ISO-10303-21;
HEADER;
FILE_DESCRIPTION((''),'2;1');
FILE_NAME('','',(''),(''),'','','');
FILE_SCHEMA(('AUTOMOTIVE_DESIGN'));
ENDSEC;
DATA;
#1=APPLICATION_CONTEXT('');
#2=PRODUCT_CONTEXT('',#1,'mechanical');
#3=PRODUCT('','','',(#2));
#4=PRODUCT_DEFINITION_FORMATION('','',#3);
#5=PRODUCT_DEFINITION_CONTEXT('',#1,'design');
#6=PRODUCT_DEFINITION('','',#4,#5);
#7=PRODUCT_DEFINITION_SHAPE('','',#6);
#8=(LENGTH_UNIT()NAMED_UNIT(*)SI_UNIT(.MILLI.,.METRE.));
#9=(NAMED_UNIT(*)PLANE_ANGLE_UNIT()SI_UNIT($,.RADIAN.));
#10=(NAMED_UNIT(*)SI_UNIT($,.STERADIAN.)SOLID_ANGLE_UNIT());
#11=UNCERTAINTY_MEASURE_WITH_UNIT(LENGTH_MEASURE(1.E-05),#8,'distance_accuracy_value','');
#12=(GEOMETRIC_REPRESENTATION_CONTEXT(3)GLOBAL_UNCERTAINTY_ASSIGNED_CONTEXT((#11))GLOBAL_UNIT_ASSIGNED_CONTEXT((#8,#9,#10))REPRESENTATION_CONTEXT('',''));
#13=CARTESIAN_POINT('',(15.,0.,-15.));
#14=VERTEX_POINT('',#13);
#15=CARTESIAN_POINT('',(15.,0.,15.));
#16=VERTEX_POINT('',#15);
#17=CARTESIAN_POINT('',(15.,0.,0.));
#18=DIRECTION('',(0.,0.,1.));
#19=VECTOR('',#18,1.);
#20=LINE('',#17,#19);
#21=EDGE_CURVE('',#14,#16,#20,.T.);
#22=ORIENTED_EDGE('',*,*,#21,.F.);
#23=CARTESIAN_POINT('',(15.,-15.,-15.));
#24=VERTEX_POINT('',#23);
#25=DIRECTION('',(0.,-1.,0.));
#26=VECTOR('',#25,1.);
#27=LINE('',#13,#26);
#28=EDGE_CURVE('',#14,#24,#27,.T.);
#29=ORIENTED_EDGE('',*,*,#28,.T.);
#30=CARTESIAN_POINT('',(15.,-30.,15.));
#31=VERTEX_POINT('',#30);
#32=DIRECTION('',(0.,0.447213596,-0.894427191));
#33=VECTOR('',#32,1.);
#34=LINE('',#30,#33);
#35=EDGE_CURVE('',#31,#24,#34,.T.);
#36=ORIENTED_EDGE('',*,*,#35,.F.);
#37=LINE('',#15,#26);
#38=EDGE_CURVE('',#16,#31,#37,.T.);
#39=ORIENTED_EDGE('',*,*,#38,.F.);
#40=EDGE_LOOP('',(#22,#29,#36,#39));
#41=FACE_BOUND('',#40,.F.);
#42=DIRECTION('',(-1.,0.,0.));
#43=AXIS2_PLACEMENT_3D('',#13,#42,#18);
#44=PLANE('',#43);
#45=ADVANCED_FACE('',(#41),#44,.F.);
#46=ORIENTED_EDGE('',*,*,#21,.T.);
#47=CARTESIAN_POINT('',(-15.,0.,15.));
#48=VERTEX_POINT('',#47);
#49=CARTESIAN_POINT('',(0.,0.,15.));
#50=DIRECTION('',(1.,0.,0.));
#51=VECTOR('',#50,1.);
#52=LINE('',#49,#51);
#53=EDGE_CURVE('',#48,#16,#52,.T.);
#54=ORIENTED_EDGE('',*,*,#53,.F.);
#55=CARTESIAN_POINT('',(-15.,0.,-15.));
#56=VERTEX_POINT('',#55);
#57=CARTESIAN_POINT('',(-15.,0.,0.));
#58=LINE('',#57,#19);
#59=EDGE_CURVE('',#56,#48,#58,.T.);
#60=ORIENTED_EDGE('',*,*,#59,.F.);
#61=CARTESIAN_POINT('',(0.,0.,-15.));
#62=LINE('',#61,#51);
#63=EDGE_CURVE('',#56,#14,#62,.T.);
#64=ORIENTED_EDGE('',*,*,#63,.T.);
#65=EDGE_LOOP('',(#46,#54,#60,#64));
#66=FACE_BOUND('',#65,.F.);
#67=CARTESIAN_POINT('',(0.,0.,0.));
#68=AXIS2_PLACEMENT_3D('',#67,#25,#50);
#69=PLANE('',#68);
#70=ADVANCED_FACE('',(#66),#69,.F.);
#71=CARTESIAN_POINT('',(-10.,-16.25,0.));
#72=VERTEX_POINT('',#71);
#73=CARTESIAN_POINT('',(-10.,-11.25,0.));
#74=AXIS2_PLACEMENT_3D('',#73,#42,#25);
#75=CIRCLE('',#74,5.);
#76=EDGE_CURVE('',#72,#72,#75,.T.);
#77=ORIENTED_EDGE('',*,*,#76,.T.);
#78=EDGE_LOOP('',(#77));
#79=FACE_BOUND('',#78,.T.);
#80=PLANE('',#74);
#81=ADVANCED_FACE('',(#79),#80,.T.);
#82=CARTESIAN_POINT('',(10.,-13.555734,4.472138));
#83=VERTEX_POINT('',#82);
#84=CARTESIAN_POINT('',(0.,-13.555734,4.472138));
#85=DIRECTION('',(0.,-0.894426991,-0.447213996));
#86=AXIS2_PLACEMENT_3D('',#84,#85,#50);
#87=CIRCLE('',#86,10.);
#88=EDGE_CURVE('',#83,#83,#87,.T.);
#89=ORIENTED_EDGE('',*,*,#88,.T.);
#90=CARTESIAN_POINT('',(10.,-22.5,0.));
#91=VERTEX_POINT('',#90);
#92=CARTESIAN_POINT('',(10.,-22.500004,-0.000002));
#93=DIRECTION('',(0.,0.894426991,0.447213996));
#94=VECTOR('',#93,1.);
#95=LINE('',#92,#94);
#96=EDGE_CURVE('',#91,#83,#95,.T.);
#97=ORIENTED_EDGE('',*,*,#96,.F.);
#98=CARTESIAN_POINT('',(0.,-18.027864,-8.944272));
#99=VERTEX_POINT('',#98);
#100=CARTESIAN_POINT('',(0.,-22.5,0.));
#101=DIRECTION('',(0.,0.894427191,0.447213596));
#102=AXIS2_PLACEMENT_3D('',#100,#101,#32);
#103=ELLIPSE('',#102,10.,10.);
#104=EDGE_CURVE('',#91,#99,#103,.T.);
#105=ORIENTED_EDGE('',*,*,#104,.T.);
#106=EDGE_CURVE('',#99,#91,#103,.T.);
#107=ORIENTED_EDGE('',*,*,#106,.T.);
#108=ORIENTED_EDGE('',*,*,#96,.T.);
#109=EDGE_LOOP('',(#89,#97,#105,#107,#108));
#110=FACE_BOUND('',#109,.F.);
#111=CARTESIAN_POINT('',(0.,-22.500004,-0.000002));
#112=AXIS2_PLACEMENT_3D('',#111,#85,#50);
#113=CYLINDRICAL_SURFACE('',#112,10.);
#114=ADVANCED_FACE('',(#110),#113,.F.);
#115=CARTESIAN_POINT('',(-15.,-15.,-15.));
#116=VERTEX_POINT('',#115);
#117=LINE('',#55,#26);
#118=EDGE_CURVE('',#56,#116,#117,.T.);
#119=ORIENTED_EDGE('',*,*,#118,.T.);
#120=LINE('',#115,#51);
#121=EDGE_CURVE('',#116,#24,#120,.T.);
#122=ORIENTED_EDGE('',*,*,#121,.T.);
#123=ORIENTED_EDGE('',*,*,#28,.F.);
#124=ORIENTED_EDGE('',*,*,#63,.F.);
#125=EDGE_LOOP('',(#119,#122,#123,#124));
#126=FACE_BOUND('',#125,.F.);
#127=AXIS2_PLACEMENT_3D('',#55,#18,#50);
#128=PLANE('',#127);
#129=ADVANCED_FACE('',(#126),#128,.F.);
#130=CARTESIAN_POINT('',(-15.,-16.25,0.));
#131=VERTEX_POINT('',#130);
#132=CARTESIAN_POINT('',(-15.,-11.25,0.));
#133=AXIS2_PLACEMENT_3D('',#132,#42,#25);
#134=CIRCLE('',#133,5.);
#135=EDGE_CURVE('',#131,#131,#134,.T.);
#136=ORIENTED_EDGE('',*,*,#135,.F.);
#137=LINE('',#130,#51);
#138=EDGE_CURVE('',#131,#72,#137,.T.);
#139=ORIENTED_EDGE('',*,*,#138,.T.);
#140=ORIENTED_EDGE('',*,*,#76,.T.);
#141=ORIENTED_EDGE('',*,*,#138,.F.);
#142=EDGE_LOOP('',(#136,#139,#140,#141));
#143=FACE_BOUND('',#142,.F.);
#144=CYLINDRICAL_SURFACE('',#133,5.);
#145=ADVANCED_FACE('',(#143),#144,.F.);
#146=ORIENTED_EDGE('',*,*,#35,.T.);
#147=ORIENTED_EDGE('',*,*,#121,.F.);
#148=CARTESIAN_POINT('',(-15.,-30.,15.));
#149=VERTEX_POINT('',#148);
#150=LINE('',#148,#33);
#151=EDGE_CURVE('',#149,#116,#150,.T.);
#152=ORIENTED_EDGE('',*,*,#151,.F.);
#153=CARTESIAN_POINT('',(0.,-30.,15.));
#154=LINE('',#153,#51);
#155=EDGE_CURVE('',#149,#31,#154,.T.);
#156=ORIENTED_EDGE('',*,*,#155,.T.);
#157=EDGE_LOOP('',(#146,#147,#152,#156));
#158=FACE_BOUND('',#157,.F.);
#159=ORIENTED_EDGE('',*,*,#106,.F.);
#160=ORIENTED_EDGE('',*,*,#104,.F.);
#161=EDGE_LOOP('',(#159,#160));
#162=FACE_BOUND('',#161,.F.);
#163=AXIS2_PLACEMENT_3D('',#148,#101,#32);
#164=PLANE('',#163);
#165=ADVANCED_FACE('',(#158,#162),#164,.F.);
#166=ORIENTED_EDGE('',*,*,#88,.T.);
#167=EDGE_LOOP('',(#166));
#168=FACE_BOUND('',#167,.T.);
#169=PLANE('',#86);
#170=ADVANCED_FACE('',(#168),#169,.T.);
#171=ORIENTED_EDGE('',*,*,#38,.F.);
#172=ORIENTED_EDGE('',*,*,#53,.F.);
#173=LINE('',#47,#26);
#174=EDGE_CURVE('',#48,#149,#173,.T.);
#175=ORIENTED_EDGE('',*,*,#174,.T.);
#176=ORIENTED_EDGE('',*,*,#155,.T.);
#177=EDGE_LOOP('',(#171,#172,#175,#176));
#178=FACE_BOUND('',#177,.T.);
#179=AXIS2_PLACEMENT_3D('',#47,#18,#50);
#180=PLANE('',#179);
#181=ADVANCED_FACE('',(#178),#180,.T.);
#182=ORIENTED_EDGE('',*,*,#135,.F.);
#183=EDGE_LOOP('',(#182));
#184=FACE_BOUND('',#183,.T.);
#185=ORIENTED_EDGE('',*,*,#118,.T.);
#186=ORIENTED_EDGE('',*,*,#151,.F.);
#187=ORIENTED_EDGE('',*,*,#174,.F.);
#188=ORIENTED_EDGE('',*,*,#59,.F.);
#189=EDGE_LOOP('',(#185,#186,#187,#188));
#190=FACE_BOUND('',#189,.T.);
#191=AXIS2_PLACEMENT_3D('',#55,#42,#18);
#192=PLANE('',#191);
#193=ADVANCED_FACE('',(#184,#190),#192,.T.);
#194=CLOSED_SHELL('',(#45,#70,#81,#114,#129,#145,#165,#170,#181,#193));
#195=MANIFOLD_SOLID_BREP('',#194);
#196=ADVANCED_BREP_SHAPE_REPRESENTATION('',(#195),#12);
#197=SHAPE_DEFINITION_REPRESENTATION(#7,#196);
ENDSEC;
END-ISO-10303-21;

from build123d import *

# Parameters (mm, degrees)
F0_W     = 30
F0_H     = 30
F1_DEPTH = 30
F3_DEPTH = 30
F4_R     = 10
F5_DEPTH = 10
F6_R     = 5
F7_DEPTH = 5


with BuildPart() as f1:
    # F0 (on Front) → F1 (new body)
    with BuildSketch(Plane.XZ):
        Rectangle(F0_W, F0_H)
    extrude(amount=F1_DEPTH)

    # F2 (on face) → F3 (cut)
    with BuildSketch(Plane(origin=(-15, 0, 0), x_dir=(0, -1, 0), z_dir=(-1, 0, 0))):
        Polygon((30, -15), (30, 15), (15, -15), align=None)
    extrude(amount=-F3_DEPTH, mode=Mode.SUBTRACT)

    # F4 (on face) → F5 (cut)
    with BuildSketch(Plane(origin=(0, -18, -9), x_dir=(1, 0, 0), z_dir=(0, -0.894427, -0.447214))):
        with Locations((0, 10.062306)):
            Circle(F4_R)
    extrude(amount=-F5_DEPTH, mode=Mode.SUBTRACT)

    # F6 (on face) → F7 (cut)
    with BuildSketch(Plane(origin=(-15, 0, 0), x_dir=(0, -1, 0), z_dir=(-1, 0, 0))):
        with Locations((11.25, 0)):
            Circle(F6_R)
    extrude(amount=-F7_DEPTH, mode=Mode.SUBTRACT)


solid = f1.part
